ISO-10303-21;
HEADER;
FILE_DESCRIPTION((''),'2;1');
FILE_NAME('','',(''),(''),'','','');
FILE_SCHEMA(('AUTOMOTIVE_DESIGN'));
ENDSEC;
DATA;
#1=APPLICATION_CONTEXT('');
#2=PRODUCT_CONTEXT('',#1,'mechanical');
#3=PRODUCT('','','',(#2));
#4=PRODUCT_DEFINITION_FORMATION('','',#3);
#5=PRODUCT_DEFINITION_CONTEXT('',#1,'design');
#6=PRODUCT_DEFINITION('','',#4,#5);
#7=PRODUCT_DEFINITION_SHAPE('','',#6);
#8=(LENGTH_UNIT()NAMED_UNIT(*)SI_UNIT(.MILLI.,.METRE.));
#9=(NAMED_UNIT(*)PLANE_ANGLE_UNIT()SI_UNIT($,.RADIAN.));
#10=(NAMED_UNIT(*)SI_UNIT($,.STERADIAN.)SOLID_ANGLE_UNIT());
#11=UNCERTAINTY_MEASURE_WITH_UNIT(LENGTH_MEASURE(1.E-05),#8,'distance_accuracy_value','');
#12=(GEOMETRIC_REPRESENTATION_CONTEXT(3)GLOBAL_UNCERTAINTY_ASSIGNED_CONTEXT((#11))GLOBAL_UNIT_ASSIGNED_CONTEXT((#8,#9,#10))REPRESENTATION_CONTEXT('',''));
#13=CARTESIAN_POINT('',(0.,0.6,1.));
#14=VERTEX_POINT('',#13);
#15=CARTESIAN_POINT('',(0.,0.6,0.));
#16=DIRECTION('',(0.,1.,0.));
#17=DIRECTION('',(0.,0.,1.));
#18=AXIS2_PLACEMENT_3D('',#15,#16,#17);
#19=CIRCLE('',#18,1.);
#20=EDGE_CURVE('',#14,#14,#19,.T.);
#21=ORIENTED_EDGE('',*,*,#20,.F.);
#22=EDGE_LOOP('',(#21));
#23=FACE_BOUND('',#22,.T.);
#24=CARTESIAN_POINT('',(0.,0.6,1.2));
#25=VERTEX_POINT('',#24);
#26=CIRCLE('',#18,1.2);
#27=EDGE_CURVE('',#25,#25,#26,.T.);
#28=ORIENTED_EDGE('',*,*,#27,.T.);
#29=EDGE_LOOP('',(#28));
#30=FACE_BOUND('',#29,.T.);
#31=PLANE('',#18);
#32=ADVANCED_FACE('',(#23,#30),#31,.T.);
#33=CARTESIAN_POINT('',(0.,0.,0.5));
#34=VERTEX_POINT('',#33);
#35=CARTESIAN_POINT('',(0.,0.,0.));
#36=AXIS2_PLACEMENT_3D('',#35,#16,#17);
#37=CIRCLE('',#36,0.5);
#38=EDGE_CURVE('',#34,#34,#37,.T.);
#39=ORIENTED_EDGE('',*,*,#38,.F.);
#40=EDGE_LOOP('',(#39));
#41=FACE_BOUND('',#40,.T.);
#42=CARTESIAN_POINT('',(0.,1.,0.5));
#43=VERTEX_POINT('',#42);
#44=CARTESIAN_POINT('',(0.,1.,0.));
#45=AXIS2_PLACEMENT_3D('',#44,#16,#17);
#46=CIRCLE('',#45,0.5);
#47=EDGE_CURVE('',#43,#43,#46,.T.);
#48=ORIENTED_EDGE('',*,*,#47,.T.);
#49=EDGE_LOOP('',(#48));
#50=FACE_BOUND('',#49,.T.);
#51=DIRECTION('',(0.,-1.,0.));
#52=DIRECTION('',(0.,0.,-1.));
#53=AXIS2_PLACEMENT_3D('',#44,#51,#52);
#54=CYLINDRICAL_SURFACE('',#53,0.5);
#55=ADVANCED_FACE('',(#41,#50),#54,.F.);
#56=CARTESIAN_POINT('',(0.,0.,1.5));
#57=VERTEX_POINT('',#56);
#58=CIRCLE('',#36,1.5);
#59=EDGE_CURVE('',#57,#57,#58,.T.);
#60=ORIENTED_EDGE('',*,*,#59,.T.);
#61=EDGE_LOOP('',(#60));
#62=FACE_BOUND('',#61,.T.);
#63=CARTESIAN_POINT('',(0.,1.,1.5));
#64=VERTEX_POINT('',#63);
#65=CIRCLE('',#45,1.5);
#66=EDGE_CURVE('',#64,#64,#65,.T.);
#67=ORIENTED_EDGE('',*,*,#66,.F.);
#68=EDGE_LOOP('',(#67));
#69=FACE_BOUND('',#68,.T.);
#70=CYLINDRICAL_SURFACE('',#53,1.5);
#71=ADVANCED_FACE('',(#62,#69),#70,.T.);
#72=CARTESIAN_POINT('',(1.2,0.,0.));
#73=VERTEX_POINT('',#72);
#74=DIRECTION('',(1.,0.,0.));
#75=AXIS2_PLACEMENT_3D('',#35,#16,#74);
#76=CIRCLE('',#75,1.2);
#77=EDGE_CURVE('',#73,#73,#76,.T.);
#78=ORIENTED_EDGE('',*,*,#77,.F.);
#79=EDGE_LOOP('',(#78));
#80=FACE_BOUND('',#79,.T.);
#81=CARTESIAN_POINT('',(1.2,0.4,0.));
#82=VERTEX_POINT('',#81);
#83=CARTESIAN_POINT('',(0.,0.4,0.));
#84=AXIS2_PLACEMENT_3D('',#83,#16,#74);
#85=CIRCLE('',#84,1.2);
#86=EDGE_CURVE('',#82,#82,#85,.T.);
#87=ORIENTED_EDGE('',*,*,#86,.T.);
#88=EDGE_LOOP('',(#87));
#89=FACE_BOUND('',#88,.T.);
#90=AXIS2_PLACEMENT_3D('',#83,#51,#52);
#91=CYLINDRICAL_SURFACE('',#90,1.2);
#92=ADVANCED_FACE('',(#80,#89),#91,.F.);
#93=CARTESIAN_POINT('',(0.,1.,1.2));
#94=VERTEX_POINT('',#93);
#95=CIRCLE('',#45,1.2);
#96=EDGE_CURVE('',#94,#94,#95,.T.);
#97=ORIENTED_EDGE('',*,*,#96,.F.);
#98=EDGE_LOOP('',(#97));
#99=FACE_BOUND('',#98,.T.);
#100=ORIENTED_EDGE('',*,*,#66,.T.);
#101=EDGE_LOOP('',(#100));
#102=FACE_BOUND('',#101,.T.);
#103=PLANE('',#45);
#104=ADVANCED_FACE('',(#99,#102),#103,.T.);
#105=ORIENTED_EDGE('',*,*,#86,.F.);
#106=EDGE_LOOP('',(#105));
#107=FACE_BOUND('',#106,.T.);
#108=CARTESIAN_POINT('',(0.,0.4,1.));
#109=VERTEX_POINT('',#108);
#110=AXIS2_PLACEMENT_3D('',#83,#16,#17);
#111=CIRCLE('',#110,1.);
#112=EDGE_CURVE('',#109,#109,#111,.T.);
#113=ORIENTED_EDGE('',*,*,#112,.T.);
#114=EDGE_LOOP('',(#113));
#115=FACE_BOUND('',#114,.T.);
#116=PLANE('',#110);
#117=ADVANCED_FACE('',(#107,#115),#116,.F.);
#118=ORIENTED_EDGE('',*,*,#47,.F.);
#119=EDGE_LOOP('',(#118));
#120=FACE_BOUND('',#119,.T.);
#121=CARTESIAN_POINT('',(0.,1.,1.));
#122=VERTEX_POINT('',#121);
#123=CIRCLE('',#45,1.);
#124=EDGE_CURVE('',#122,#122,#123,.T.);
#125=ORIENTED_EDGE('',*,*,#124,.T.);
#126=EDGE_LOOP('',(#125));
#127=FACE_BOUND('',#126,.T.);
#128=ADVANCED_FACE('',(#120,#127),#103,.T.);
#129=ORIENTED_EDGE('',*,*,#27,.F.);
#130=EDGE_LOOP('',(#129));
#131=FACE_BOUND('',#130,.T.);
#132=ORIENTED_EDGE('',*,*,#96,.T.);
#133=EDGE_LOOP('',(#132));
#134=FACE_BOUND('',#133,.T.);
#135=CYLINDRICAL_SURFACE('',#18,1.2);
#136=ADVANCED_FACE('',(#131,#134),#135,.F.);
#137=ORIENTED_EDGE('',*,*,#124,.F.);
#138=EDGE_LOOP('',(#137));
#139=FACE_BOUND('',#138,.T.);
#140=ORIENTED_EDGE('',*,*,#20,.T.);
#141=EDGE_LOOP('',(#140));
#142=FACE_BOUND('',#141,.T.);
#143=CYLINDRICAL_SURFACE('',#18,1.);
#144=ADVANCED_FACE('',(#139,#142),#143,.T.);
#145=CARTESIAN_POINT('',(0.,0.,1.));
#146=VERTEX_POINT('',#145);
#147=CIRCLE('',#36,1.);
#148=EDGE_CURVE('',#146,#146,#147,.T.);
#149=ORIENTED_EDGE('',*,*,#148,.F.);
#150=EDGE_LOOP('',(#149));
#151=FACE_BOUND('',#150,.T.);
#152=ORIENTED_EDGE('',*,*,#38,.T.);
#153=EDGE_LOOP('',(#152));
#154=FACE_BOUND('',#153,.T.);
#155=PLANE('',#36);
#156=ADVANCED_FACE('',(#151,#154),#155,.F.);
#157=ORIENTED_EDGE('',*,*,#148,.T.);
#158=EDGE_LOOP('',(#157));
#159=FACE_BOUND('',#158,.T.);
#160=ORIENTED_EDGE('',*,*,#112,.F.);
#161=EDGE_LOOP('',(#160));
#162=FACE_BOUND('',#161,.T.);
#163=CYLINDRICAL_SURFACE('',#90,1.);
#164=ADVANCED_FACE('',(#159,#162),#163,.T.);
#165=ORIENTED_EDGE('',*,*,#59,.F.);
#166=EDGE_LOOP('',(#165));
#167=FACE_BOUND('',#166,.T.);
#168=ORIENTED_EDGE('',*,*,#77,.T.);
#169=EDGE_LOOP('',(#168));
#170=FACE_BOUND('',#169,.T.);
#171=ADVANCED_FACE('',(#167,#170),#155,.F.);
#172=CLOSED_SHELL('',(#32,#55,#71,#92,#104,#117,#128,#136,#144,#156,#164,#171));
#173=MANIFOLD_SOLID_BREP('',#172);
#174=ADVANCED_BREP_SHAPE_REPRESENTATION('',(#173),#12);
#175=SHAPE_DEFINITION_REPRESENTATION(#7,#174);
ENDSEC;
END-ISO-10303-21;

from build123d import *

# Parameters (mm, degrees)
SKETCH_1_R          = 1.5
SKETCH_1_R_2        = 0.5
EXTRUDE_1_DEPTH     = 1
SKETCH_1_3_R        = 1.2
SKETCH_1_3_R_2      = 1
CUT_EXTRUDE_1_DEPTH = 0.4
CUT_EXTRUDE_START   = 0.6
SKETCH_1_4_R        = 1.2
SKETCH_1_4_R_2      = 1
CUT_EXTRUDE_2_DEPTH = 0.4


with BuildPart() as part:
    # 草图1 → 凸台-拉伸1 (new body)
    with BuildSketch(Plane(origin=(0, 0, 0), x_dir=(1, 0, 0), z_dir=(0, 1, 0))):
        with Locations(Location((0, 0, 0), (0, 0, 270))):
            Circle(SKETCH_1_R)
        with Locations(Location((0, 0, 0), (0, 0, 270))):
            Circle(SKETCH_1_R_2, mode=Mode.SUBTRACT)
    extrude(amount=EXTRUDE_1_DEPTH)

    # 草图1<3> → 切除-拉伸-薄壁1 (cut)
    with BuildSketch(Plane(origin=(0, 0, 0), x_dir=(1, 0, 0), z_dir=(0, 1, 0))):
        Circle(SKETCH_1_3_R)
        Circle(SKETCH_1_3_R_2, mode=Mode.SUBTRACT)
    extrude(amount=CUT_EXTRUDE_1_DEPTH, mode=Mode.SUBTRACT)

    # 草图1<4> → 切除-拉伸-薄壁2 (cut)
    with BuildSketch(Plane(origin=(0, 0, 0), x_dir=(1, 0, 0), z_dir=(0, 1, 0)).offset(CUT_EXTRUDE_START)):
        Circle(SKETCH_1_4_R)
        Circle(SKETCH_1_4_R_2, mode=Mode.SUBTRACT)
    extrude(amount=CUT_EXTRUDE_2_DEPTH, mode=Mode.SUBTRACT)


solid = part.part
